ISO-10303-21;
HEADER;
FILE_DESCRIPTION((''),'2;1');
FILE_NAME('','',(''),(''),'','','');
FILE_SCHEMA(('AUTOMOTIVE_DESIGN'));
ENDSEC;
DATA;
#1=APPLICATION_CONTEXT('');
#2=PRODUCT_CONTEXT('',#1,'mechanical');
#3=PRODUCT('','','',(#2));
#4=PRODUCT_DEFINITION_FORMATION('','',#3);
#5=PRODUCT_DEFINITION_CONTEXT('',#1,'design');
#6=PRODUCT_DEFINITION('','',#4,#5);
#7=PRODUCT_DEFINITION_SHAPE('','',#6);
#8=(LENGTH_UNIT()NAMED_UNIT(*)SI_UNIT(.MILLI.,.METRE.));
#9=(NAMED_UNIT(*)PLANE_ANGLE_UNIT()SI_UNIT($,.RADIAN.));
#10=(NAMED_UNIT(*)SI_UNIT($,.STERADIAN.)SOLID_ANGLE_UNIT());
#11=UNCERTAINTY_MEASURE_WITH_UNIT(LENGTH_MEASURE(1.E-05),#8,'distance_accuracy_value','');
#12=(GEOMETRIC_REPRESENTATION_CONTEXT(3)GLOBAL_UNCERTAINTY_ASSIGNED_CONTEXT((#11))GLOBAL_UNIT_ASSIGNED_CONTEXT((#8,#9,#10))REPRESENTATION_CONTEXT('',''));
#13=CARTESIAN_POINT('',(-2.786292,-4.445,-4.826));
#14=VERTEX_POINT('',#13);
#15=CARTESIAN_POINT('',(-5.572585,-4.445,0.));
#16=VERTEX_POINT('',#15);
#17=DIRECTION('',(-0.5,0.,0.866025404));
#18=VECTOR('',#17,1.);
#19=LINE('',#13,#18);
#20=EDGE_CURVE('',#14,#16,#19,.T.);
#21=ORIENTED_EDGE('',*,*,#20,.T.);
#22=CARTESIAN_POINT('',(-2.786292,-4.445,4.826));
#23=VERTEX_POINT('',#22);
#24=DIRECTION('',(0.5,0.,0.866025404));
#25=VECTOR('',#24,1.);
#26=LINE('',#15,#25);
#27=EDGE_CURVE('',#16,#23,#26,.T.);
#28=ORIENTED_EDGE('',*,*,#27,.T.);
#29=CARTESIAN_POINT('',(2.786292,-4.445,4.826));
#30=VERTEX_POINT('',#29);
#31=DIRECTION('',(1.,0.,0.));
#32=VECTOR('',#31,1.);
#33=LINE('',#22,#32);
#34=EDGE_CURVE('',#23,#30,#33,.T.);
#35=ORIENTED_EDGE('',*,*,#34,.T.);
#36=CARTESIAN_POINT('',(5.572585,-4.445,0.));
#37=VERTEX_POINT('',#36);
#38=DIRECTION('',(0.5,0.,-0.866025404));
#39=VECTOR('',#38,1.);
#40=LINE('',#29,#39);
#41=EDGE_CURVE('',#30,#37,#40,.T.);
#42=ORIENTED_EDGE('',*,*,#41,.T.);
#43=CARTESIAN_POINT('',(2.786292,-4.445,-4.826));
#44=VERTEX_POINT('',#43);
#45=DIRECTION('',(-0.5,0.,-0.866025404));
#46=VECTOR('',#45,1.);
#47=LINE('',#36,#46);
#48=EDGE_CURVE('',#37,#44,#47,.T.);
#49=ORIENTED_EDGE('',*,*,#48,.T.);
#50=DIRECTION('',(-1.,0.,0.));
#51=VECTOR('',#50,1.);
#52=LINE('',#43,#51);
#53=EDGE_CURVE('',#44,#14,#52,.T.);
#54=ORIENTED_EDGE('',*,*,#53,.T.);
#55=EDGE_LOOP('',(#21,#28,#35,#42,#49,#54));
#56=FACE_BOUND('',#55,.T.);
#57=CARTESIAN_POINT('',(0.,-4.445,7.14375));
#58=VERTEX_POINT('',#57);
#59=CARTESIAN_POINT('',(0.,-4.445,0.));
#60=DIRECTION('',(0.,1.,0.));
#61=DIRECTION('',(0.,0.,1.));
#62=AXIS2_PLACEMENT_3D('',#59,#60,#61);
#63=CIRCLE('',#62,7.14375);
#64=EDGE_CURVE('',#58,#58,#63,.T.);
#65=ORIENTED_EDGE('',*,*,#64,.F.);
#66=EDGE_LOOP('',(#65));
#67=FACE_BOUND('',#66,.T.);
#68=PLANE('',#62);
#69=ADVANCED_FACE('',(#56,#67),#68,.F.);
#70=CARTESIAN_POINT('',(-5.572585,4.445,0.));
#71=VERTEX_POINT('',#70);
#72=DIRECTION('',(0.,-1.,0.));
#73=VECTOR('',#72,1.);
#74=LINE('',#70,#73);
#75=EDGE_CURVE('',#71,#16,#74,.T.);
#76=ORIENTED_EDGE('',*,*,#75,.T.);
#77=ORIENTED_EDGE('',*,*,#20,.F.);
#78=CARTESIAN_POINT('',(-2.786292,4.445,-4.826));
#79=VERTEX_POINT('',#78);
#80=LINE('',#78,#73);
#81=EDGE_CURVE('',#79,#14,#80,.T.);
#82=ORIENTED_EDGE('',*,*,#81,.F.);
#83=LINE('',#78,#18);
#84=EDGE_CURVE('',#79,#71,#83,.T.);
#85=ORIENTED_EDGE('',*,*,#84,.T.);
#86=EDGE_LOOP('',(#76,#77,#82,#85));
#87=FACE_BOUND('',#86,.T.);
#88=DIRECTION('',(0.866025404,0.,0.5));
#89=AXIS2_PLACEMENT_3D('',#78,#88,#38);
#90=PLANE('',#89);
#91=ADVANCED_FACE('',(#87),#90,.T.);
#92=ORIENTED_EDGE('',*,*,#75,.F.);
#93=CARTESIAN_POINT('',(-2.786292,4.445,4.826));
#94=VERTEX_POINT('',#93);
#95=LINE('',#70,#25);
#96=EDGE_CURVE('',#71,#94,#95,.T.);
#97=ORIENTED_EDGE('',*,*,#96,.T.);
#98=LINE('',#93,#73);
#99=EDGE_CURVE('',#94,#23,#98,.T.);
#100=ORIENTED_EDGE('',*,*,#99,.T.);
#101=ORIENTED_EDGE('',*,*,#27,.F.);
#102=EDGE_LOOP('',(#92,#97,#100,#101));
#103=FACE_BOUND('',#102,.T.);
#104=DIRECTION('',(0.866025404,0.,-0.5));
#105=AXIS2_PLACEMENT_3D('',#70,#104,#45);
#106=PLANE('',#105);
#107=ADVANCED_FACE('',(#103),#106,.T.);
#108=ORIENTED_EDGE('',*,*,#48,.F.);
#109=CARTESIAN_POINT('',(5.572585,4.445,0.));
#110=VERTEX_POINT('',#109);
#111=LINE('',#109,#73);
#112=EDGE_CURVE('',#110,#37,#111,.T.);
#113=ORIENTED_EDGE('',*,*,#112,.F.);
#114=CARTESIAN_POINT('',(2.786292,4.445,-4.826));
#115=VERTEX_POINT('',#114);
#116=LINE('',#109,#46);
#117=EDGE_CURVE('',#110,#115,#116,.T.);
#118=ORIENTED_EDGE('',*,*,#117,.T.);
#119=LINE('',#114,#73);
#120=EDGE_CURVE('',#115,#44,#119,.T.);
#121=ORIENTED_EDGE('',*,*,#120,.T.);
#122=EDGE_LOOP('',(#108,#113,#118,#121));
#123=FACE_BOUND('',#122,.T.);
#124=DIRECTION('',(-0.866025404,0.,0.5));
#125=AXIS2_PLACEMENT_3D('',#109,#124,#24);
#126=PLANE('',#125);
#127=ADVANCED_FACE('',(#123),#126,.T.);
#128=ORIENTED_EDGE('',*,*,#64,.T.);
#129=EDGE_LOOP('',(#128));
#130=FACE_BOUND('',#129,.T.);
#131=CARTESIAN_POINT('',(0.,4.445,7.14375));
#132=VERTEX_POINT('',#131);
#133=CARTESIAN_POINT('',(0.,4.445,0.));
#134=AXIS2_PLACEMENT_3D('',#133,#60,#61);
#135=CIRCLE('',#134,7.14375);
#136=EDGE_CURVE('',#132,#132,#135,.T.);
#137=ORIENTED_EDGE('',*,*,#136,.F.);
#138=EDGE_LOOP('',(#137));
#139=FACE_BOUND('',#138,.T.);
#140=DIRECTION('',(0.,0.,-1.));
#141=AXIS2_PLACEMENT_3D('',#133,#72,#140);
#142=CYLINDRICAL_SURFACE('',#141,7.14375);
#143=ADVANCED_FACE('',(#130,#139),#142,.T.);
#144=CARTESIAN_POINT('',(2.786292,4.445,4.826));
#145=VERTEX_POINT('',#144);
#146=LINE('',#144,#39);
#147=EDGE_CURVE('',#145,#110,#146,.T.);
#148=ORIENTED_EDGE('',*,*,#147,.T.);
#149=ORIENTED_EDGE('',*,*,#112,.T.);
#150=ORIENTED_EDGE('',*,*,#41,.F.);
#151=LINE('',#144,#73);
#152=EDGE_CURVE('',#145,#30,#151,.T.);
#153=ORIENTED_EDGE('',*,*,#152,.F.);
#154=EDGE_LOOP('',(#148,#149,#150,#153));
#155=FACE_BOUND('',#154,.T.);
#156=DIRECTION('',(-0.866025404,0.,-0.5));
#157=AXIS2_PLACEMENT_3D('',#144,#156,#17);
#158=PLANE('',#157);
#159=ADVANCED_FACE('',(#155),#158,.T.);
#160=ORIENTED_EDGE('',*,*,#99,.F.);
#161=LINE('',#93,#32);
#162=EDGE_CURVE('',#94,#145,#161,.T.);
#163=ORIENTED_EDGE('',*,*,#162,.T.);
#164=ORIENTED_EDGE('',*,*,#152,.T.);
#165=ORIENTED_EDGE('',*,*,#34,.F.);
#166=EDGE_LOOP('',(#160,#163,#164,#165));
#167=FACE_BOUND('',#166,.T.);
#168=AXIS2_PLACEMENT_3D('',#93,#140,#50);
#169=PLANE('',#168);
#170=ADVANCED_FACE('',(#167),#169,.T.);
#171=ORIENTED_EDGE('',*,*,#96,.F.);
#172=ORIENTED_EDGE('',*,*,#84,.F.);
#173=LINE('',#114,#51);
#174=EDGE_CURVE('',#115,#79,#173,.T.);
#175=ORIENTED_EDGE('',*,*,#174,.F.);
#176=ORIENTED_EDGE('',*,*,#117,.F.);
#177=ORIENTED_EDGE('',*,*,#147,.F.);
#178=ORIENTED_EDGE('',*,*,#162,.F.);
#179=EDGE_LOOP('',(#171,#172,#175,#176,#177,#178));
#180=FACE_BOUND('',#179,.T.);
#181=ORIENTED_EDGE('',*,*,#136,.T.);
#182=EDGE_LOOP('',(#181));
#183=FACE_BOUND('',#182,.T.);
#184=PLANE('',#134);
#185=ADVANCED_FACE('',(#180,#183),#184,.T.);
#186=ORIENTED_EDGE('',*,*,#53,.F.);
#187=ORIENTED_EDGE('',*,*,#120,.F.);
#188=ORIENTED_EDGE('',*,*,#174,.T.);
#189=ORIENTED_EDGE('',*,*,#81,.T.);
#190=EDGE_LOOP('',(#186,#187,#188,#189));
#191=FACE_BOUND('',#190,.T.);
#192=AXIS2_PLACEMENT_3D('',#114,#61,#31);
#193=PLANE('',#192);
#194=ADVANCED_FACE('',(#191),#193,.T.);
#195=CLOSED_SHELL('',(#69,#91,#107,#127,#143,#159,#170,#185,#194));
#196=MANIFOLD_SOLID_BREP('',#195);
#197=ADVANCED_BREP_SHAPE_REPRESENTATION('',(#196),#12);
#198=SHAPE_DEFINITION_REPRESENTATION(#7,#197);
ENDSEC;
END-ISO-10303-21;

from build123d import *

# Parameters (mm, degrees)
SKETCH1_R           = 7.14375
BOSS_EXTRUDE1_DEPTH = 4.445


with BuildPart() as part:
    # Sketch1 → Boss-Extrude1 (new, symmetric)
    with BuildSketch(Plane(origin=(0, 0, 0), x_dir=(1, 0, 0), z_dir=(0, 1, 0))):
        with Locations(Location((0, 0, 0), (0, 0, 270))):
            Circle(SKETCH1_R)
        Polygon((2.786292399, -4.826), (5.572584798, 0), (2.786292399, 4.826), (-2.786292399, 4.826), (-5.572584798, 0), (-2.786292399, -4.826), align=None, mode=Mode.SUBTRACT)
    extrude(amount=BOSS_EXTRUDE1_DEPTH, both=True)


solid = part.part
